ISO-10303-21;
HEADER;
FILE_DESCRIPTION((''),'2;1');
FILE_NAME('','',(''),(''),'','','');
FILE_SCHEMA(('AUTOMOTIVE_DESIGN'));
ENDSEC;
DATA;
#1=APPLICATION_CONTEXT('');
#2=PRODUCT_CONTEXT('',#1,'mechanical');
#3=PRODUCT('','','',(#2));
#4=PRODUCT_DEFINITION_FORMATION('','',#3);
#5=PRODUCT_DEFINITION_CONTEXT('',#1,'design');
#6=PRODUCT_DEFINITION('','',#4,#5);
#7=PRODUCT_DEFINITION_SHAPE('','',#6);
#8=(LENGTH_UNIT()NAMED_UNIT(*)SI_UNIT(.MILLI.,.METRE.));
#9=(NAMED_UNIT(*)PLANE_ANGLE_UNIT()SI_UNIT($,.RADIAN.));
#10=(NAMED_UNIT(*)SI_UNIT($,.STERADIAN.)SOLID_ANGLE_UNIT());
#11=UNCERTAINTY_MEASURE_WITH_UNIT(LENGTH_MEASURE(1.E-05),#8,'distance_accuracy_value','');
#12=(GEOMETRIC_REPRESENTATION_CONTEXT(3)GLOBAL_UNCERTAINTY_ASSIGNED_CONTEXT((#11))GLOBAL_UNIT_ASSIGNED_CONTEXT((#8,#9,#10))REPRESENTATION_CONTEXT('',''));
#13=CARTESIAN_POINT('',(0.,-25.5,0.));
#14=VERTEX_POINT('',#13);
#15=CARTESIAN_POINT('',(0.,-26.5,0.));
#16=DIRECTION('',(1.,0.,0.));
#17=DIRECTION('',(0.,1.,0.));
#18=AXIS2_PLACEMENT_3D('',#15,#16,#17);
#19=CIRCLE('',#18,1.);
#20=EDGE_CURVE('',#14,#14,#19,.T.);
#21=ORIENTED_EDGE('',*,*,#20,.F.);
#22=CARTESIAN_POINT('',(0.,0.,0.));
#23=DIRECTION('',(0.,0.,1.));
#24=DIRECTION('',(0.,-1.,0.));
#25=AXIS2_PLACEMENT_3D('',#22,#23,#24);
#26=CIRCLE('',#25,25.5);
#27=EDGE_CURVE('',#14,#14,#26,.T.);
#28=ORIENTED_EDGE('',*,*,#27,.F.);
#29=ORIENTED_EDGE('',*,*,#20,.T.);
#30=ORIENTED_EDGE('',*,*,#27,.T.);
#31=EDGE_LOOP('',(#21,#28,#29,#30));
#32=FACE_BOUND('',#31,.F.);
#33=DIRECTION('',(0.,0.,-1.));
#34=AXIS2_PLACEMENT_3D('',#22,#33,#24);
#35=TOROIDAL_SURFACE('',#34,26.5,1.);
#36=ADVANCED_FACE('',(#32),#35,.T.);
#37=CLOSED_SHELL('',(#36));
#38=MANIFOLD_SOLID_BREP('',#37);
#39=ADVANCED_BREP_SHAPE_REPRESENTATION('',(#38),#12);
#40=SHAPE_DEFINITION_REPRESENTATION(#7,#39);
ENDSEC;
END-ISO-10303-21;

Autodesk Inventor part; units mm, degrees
ref_plane "YZ Plane" through (0, 0, 0) normal (1, 0, 0) x (0, 1, 0)
ref_plane "XZ Plane" through (0, 0, 0) normal (0, 1, 0) x (-1, 0, 0)
ref_plane "XY Plane" through (0, 0, 0) normal (0, 0, 1) x (1, 0, 0)
sketch "Skizze1" plane through (0, 0, 0) normal (1, 0, 0) x (0, 1, 0)
  circle A0 centre (-26.5, 0) radius 1
  line L0 (0, -1.4) -> (0, 1.4) projected
  point P0 (0, 0)
  dimension "d4" = 26.5
revolve "Umdrehung1" add sketch "Skizze1" angle 360 about axis through (0, 0, -10) along (0, 0, 1)
properties part number "O-Ring_51_2"
